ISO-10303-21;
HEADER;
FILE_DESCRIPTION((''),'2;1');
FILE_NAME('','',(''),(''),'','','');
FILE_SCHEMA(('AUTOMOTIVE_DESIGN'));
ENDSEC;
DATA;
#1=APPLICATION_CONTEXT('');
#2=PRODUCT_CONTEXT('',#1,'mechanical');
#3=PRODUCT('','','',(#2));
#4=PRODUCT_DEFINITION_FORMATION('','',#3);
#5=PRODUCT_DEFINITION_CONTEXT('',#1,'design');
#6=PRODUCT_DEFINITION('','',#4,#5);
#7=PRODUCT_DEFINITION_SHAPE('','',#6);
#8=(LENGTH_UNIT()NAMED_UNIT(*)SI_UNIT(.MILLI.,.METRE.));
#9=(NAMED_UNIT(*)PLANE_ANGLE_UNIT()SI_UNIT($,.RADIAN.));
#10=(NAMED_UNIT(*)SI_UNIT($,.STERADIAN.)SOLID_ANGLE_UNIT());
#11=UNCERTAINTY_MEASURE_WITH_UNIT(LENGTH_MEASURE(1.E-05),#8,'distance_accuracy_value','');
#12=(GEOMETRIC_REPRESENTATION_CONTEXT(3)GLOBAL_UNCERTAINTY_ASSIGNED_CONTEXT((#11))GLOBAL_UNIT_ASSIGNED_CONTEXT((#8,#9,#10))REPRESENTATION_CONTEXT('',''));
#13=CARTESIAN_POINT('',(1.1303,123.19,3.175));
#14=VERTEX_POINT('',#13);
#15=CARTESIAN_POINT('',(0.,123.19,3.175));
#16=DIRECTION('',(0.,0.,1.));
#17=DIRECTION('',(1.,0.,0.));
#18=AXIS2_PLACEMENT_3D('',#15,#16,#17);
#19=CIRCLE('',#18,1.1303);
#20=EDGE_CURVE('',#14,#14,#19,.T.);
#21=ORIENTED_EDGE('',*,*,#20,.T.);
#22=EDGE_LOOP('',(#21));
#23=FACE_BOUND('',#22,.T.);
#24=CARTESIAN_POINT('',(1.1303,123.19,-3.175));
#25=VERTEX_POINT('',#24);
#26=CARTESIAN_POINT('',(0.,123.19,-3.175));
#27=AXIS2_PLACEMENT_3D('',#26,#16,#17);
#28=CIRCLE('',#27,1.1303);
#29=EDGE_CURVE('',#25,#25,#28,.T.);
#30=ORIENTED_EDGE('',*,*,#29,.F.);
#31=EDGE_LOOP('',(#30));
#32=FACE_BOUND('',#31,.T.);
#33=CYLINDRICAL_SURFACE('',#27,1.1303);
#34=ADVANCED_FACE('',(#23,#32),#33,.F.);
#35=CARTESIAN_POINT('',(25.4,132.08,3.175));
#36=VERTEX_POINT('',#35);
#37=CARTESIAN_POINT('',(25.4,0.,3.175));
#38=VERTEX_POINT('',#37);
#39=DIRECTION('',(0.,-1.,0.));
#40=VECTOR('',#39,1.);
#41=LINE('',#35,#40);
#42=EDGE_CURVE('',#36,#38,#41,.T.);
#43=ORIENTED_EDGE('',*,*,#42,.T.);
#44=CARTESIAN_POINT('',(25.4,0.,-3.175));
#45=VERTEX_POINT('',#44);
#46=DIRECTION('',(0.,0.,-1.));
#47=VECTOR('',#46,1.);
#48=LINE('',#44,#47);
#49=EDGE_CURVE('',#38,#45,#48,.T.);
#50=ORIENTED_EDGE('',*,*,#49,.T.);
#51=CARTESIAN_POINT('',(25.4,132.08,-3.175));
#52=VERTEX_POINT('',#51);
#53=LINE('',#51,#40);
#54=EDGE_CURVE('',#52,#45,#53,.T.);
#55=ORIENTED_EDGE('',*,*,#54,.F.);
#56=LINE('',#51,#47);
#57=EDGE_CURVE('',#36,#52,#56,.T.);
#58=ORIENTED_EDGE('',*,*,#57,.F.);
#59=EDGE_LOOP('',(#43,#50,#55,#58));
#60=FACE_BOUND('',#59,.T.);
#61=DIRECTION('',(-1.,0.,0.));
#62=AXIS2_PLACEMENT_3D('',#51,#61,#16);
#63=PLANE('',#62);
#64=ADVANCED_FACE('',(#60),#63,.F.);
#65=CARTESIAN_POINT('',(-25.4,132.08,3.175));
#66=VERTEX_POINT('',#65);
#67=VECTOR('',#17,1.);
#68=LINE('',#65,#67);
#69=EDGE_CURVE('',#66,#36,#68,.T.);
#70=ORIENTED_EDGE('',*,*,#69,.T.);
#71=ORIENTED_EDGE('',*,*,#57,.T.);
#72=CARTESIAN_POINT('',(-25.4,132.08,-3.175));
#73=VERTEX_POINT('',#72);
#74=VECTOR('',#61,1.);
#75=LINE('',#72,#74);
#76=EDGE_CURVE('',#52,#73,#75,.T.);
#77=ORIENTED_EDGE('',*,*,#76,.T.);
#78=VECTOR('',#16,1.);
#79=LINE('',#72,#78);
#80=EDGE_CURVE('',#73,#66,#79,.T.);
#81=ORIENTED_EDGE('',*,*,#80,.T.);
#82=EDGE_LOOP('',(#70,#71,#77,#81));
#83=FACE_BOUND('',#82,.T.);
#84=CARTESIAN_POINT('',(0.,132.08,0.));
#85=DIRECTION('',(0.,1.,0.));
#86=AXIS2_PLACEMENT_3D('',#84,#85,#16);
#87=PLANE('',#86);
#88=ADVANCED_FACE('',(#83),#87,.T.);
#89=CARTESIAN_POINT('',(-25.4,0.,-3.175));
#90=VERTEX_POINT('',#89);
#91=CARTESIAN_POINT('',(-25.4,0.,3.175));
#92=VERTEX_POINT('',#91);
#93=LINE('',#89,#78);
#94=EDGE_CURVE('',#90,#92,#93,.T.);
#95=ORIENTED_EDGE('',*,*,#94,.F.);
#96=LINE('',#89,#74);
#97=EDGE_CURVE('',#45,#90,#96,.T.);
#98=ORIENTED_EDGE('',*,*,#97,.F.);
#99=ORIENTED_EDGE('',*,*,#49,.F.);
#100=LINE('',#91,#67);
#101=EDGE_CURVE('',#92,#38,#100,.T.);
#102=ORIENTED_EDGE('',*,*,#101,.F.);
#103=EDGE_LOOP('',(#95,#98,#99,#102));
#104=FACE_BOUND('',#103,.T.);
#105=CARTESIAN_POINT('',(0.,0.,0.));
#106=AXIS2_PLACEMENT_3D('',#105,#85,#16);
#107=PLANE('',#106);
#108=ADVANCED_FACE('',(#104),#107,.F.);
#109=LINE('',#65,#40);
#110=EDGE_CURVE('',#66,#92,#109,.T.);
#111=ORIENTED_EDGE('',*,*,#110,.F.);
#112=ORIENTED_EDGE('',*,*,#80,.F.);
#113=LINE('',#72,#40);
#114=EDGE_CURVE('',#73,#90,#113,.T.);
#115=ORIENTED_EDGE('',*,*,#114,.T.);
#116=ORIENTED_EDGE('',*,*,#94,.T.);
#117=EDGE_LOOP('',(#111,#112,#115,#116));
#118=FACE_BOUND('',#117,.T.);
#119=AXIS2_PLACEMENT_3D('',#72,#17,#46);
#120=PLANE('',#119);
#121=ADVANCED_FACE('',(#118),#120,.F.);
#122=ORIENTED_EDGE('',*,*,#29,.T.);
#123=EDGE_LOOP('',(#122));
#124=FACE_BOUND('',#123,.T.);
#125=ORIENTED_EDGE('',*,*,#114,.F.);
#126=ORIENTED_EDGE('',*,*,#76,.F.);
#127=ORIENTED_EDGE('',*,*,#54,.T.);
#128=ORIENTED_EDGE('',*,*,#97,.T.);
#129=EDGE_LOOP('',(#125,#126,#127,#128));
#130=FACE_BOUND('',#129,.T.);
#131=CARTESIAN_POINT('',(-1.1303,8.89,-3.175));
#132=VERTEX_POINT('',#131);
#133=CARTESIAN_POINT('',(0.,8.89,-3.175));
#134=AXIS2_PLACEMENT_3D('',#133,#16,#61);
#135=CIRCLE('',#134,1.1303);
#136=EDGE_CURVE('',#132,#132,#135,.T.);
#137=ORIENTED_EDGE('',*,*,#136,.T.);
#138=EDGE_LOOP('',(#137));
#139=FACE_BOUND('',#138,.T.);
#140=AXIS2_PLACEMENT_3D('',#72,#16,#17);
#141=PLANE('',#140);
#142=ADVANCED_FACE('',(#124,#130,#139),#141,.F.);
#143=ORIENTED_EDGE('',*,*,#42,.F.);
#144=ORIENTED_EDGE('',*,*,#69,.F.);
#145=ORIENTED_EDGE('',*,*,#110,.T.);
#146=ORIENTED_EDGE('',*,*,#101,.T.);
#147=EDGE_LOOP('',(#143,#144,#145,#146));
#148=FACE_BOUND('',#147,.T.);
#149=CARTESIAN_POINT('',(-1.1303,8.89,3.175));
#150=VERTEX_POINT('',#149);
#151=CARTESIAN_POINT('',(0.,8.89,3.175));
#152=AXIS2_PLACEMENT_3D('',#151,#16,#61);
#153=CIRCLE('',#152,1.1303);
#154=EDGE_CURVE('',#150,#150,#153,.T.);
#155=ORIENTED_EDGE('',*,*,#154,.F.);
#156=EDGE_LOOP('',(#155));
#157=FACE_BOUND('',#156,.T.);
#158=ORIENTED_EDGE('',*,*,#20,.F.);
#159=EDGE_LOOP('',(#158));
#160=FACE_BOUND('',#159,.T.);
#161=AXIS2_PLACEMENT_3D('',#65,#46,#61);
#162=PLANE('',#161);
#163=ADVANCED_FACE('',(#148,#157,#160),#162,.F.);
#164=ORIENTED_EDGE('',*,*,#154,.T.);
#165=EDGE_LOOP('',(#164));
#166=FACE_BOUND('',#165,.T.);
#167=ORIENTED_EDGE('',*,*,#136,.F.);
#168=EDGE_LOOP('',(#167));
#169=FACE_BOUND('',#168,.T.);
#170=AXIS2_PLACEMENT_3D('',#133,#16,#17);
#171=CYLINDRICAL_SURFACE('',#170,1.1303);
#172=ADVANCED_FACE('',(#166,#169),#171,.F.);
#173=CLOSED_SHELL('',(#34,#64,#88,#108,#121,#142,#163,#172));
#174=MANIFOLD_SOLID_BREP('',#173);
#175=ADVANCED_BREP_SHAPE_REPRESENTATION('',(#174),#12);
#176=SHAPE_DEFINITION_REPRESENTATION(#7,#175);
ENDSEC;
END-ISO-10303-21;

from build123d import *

# Parameters (mm, degrees)
SKETCH1_W           = 50.8
SKETCH1_H           = 6.35
BOSS_EXTRUDE1_DEPTH = 132.08
SKETCH2_R           = 1.1303
CUT_EXTRUDE1_DEPTH  = 135.649949499


with BuildPart() as part:
    # Sketch1 → Boss-Extrude1 (new body)
    with BuildSketch(Plane(origin=(0, 0, 0), x_dir=(1, 0, 0), z_dir=(0, 1, 0))):
        Rectangle(SKETCH1_W, SKETCH1_H)
    extrude(amount=BOSS_EXTRUDE1_DEPTH)

    # Sketch2 → Cut-Extrude1 (cut, through all)
    with BuildSketch(Plane.XY.offset(3.175)):
        with Locations((0, 123.19)):
            Circle(SKETCH2_R)
        with Locations(Location((0, 8.89, 0), (0, 0, 180))):
            Circle(SKETCH2_R)
    extrude(amount=-CUT_EXTRUDE1_DEPTH, mode=Mode.SUBTRACT)


solid = part.part
